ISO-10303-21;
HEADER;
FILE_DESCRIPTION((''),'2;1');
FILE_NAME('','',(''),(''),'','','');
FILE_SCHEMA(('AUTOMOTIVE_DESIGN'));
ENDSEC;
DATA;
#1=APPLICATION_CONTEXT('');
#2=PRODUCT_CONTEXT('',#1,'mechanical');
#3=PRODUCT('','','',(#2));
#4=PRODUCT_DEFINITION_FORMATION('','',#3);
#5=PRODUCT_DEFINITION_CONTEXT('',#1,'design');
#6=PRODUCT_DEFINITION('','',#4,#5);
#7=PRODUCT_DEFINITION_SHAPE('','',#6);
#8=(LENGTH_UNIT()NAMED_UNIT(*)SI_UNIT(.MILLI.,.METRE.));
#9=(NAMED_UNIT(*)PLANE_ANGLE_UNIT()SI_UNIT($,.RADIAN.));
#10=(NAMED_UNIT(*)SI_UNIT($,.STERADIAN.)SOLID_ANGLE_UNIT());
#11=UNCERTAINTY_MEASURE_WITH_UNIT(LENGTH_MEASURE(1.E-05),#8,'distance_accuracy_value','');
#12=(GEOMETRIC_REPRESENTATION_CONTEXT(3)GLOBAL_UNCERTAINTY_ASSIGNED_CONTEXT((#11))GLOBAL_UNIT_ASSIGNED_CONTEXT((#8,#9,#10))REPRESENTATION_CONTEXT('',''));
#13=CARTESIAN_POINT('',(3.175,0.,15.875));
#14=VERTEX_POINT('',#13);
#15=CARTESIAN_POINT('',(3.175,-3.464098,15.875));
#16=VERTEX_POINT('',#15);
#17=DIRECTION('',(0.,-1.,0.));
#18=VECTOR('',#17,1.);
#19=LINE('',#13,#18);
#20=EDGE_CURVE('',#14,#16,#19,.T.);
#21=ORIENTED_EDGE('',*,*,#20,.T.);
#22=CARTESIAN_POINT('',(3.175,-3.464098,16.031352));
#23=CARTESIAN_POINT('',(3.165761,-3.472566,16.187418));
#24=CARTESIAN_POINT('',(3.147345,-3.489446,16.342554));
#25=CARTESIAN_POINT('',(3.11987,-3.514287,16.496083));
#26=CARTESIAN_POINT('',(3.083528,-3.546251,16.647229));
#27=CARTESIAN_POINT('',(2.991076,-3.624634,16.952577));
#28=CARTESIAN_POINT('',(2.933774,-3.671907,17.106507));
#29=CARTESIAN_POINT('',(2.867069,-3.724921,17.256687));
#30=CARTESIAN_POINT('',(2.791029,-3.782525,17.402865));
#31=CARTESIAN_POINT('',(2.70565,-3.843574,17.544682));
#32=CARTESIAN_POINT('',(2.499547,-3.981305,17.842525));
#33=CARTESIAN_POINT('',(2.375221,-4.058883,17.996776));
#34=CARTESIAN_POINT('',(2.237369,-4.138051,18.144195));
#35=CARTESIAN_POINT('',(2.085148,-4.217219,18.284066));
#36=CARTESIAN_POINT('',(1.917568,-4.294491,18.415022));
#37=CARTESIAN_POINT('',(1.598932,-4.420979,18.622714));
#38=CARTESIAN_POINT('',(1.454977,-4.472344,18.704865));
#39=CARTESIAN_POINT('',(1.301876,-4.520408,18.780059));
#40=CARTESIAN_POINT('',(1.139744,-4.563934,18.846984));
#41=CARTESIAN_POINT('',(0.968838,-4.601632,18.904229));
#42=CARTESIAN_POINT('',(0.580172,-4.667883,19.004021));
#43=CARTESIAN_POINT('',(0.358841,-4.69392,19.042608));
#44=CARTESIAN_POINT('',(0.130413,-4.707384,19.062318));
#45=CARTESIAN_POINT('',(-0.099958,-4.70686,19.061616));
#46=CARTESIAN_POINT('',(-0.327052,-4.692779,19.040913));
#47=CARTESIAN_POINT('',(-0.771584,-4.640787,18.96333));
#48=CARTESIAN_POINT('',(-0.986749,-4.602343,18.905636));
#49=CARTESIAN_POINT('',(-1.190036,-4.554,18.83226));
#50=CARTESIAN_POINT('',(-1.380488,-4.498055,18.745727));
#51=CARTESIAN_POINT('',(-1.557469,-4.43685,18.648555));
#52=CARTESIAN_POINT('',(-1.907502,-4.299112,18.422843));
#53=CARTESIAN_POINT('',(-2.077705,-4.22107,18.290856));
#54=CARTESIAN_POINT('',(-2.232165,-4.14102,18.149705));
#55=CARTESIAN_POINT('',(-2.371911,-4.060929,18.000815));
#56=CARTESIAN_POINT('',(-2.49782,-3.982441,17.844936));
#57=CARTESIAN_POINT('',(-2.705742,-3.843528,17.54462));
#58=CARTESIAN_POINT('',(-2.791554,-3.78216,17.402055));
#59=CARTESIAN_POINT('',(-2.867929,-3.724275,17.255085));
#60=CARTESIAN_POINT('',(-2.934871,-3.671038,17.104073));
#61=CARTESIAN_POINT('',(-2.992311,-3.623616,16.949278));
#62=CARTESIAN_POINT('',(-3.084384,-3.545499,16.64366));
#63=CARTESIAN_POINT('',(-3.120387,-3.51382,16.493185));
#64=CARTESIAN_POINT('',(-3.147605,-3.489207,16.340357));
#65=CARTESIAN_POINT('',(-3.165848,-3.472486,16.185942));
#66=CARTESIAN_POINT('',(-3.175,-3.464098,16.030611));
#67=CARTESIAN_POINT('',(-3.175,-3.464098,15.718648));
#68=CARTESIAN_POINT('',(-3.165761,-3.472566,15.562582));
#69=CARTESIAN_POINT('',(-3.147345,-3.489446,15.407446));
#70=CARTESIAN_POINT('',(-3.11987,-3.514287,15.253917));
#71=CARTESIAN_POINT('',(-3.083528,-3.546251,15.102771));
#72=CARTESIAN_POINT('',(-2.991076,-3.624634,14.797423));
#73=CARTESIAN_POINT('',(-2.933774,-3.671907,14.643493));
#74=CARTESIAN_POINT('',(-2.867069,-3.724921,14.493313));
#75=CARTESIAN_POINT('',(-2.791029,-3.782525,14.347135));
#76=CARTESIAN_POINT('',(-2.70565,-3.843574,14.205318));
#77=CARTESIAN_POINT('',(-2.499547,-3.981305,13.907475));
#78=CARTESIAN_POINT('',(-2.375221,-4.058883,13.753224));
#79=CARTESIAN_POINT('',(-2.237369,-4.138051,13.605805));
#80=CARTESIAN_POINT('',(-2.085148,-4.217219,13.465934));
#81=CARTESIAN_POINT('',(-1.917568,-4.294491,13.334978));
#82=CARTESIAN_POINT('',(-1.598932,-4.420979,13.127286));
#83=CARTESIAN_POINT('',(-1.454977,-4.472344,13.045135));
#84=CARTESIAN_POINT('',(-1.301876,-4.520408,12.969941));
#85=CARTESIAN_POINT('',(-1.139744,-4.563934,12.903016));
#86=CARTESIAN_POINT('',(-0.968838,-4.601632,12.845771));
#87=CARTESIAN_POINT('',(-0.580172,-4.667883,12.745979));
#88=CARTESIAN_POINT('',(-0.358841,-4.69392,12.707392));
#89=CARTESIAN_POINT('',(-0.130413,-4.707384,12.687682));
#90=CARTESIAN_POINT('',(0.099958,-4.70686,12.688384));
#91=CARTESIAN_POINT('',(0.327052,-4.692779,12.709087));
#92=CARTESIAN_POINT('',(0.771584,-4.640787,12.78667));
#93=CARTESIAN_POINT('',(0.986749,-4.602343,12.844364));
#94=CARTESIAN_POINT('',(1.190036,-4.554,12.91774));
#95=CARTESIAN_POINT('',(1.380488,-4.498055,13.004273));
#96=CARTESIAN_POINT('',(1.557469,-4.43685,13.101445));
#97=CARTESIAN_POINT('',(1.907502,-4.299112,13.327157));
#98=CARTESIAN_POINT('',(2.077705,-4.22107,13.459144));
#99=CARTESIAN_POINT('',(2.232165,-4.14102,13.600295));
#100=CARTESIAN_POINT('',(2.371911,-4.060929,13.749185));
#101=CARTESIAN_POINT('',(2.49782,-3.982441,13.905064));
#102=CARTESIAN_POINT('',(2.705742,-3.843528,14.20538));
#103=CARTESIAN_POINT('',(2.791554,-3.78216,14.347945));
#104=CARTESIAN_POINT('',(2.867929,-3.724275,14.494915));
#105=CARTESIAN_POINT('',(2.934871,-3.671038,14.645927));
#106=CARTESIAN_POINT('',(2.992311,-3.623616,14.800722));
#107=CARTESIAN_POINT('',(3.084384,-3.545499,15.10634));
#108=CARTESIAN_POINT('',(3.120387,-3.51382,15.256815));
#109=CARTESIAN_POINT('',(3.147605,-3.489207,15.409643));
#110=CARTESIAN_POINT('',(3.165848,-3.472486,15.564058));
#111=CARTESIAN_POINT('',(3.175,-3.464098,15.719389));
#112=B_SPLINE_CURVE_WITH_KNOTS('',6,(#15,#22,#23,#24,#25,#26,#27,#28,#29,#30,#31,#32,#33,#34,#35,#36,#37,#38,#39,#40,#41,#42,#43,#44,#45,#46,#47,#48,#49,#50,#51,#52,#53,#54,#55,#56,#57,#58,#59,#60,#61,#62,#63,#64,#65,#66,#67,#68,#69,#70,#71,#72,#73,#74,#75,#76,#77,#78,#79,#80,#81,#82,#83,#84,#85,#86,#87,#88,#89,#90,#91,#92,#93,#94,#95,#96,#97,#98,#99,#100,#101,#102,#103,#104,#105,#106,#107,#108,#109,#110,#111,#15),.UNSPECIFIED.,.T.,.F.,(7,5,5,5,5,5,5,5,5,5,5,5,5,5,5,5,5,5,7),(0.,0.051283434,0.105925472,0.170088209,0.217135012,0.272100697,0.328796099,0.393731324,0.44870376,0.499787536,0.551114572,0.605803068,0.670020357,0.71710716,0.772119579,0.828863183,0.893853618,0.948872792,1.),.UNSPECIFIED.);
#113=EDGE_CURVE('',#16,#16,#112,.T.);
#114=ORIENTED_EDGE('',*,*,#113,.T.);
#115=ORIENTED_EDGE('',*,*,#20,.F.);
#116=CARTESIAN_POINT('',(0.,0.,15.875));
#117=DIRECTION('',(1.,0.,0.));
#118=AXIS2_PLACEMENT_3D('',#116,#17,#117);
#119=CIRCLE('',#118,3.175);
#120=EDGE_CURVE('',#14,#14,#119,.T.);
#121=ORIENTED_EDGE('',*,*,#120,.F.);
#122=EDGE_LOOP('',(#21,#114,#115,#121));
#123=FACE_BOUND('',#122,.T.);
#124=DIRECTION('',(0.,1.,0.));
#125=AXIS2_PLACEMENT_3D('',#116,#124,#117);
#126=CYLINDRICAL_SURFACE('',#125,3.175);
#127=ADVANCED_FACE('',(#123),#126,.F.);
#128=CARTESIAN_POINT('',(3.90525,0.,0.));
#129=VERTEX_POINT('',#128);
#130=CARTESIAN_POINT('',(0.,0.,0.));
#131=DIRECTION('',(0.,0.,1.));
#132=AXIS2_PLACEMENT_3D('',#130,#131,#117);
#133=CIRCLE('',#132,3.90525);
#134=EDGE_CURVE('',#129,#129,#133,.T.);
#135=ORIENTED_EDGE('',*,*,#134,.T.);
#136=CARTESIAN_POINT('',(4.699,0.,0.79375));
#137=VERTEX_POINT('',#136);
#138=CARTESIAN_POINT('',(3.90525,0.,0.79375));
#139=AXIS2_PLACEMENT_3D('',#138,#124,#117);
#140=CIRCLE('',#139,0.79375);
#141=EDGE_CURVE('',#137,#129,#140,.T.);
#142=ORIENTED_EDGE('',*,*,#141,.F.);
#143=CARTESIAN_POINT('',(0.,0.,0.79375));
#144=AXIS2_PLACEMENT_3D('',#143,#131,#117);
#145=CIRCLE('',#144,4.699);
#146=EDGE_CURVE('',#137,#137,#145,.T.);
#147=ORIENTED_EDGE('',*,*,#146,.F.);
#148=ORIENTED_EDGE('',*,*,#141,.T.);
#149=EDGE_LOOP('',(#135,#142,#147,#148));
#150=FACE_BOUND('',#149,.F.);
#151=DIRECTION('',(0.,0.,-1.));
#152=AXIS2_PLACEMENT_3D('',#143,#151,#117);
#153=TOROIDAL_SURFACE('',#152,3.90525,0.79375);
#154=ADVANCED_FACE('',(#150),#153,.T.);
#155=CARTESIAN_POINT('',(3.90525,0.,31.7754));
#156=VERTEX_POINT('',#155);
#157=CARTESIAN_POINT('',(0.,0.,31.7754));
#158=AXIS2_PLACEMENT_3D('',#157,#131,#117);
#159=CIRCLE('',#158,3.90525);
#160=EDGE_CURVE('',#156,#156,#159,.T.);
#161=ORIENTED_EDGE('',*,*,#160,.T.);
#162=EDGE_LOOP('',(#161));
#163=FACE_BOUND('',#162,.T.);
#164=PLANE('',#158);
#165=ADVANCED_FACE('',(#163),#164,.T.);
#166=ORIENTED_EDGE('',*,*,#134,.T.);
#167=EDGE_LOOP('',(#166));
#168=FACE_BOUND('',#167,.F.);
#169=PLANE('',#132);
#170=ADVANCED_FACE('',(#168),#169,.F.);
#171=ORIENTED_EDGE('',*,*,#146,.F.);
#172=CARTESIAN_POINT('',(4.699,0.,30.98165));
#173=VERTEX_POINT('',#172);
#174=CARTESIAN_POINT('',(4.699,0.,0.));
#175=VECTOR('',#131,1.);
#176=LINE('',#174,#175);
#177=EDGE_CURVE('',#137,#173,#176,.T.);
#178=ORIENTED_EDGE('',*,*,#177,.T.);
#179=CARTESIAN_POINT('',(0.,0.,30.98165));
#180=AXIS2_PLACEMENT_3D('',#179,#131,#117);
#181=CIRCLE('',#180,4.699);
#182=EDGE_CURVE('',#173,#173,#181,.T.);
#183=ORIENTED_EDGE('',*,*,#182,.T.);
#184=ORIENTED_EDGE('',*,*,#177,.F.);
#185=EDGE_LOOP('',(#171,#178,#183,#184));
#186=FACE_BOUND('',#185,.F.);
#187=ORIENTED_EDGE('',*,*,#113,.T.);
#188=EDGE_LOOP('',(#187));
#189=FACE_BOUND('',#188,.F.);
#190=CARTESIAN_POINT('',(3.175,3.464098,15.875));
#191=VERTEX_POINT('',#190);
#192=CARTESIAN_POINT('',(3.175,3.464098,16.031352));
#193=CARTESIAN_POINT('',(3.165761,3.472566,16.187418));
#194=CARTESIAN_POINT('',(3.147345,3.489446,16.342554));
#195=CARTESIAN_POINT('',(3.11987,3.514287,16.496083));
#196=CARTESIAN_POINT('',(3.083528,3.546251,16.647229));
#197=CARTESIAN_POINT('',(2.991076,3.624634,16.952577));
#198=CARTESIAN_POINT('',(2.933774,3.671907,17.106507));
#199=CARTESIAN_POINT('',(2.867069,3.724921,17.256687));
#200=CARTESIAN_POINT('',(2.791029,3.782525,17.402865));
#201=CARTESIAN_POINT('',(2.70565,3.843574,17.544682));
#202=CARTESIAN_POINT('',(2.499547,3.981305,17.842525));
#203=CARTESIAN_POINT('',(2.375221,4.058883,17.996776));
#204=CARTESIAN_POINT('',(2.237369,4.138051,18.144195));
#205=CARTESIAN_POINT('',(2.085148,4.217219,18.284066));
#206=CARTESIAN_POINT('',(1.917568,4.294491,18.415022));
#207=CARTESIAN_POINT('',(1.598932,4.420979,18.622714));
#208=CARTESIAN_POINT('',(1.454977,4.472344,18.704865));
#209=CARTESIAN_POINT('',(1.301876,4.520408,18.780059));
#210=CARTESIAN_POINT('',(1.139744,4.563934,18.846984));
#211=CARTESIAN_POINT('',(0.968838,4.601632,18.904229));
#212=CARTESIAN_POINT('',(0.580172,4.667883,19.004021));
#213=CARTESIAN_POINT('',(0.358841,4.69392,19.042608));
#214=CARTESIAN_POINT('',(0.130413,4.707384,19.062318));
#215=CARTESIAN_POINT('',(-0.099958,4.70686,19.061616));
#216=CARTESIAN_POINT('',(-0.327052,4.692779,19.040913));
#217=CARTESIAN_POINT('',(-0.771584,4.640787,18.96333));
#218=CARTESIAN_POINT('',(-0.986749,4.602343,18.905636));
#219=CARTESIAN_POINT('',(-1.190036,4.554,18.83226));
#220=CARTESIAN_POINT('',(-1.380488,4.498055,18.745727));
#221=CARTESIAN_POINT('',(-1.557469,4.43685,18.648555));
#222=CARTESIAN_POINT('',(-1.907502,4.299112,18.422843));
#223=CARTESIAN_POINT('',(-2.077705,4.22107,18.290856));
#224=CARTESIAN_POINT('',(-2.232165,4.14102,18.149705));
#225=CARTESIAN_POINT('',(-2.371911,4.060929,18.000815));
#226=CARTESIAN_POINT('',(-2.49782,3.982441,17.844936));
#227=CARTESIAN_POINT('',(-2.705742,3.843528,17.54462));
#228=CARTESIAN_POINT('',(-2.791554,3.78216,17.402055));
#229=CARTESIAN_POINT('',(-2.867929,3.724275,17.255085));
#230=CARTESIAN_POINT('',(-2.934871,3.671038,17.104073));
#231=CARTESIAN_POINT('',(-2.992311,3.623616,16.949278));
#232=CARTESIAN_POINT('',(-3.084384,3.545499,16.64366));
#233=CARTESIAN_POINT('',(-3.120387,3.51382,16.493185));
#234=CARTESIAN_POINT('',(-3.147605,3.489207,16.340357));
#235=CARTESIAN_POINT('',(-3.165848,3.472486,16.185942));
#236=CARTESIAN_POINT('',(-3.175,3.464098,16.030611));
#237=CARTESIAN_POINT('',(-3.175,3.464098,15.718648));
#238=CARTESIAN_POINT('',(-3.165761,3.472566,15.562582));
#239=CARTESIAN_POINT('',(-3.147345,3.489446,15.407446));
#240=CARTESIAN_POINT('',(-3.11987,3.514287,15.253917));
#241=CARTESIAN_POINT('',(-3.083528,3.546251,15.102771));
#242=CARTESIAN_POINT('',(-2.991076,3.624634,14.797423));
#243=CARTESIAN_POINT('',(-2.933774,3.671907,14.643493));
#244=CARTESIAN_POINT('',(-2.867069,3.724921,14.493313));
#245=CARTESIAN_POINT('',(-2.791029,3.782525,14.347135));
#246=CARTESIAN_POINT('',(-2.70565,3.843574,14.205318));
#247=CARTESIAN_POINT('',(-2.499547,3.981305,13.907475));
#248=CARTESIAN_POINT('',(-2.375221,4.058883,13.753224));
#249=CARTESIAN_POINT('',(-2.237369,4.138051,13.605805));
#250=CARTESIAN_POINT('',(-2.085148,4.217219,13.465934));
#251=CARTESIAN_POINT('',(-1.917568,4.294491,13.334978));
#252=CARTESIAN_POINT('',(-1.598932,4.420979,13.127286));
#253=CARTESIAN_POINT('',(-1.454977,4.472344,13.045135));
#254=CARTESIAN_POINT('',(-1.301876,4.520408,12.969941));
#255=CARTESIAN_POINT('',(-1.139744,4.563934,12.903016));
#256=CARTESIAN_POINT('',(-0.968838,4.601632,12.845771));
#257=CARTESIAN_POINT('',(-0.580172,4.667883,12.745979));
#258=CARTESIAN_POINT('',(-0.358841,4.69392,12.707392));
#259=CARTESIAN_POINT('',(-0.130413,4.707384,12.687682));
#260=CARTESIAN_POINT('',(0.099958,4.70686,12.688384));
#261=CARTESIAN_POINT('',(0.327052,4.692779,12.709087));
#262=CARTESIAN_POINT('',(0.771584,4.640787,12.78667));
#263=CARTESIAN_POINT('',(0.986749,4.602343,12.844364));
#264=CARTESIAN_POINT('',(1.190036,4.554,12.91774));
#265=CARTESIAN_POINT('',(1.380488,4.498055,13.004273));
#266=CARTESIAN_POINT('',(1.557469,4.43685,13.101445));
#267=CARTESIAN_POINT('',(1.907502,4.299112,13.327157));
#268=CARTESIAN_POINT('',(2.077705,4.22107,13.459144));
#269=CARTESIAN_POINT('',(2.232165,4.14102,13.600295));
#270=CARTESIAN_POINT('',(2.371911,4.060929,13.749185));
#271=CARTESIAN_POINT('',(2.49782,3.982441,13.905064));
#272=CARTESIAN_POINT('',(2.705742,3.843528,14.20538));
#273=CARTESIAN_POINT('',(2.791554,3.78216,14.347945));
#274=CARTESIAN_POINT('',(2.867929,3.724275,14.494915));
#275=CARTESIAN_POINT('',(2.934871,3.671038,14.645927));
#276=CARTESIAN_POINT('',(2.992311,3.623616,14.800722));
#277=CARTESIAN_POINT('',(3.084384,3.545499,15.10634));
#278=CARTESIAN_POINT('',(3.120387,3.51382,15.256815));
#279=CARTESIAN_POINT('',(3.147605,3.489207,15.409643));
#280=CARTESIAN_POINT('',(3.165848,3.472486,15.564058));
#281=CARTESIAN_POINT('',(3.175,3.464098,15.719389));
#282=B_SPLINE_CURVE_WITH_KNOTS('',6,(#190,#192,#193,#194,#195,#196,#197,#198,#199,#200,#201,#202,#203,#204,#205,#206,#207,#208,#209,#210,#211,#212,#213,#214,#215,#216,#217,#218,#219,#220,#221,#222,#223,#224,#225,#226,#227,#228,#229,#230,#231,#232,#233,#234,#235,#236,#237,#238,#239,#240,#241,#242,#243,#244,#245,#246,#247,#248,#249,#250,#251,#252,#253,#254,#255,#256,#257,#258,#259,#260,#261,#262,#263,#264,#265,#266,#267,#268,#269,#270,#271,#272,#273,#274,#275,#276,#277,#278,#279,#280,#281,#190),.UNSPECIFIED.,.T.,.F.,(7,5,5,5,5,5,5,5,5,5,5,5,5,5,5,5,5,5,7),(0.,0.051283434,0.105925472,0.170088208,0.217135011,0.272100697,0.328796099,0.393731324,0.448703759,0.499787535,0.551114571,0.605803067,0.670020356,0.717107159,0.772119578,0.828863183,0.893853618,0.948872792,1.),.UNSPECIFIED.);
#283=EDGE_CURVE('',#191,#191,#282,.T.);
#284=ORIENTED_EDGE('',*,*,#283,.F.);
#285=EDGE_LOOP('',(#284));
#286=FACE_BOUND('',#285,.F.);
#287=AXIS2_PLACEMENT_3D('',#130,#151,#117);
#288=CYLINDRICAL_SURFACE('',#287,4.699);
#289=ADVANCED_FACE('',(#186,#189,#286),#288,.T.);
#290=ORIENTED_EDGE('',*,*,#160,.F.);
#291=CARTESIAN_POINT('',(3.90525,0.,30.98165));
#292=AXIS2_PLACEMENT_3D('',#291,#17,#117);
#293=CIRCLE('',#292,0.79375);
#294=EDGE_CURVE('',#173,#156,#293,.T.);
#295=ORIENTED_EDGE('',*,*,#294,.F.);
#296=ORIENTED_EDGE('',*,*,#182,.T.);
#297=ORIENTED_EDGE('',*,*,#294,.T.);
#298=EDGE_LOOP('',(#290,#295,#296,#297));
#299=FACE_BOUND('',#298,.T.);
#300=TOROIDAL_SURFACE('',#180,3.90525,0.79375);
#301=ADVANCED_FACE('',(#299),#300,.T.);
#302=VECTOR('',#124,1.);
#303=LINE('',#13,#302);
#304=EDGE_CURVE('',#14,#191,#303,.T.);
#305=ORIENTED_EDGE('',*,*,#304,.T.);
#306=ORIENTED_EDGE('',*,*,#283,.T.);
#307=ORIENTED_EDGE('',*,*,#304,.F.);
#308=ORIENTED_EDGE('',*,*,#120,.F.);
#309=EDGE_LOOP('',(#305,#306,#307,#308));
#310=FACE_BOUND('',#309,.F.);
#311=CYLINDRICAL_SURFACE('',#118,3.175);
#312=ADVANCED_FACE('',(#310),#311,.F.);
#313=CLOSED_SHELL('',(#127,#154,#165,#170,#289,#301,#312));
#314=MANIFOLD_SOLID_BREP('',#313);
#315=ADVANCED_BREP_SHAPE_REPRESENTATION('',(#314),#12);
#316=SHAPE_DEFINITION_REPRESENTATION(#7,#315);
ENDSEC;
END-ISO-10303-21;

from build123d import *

# Parameters (mm, degrees)
F0_R          = 4.699
F1_DEPTH      = 31.7754
F2_R          = 3.175
F3_DEPTH      = 14.986
F3_DEPTH_BACK = 25.4
F4_R          = 0.79375


with BuildPart() as f1:
    # F0 (on Top) → F1 (new body)
    with BuildSketch(Plane.XY):
        Circle(F0_R)
    extrude(amount=F1_DEPTH)

    # F2 (on Front) → F3 (cut, two sides)
    with BuildSketch(Plane.XZ) as f3_sk:
        with Locations((0, 15.875)):
            Circle(F2_R)
    extrude(amount=-F3_DEPTH, mode=Mode.SUBTRACT)
    extrude(f3_sk.sketch, amount=F3_DEPTH_BACK, mode=Mode.SUBTRACT)

    # F4
    f4_edges = [f1.edges().sort_by_distance(p)[0] for p in [
        (-4.699, 0, 31.7754),
        (-4.699, 0, 0),
    ]]
    fillet(f4_edges, radius=F4_R)


solid = f1.part
